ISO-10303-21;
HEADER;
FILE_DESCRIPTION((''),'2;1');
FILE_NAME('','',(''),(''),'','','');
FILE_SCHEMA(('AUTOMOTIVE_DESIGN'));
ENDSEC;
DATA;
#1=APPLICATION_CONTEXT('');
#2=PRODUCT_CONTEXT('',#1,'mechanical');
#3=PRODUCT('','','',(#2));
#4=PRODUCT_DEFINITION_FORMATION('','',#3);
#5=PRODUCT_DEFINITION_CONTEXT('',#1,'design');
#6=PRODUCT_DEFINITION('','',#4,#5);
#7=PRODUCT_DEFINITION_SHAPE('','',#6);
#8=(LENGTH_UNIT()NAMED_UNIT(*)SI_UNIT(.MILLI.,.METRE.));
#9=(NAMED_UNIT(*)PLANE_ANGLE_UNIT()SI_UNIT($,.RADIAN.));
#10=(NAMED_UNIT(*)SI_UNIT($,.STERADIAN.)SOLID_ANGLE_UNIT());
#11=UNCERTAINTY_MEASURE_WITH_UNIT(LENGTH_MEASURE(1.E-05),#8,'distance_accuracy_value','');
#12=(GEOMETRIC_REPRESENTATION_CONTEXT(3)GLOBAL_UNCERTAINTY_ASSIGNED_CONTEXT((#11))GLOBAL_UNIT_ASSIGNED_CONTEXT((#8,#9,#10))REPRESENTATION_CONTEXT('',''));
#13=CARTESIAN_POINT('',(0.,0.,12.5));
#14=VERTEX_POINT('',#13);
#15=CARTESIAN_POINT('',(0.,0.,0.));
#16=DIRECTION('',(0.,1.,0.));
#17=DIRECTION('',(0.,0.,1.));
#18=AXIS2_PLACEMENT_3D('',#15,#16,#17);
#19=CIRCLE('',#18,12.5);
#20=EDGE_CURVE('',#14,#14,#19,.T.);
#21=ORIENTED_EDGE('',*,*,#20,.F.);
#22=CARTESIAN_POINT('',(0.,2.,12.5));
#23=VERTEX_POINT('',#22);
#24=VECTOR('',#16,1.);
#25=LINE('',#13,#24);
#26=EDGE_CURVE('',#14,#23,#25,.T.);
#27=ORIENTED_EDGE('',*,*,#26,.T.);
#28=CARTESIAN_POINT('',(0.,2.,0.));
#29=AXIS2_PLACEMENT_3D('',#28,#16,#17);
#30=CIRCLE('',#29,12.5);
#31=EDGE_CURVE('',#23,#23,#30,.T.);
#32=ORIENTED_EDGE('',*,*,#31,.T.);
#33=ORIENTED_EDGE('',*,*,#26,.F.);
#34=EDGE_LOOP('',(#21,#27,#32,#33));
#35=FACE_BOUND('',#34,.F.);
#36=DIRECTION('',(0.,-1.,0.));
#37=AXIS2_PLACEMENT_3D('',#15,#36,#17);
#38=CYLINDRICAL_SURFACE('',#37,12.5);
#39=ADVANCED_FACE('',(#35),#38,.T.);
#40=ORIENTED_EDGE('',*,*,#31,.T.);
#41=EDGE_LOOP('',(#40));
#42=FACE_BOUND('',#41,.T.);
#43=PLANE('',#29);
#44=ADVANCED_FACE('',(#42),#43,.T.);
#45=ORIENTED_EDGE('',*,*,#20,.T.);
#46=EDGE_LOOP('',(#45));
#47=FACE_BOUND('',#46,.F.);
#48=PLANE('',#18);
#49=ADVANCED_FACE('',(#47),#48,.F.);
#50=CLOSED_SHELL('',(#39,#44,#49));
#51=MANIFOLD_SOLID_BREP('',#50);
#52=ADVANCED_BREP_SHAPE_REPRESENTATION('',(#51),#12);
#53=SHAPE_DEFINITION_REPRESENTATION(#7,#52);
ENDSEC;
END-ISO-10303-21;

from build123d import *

# Parameters (mm, degrees)
SKETCH_1_R      = 12.5
EXTRUDE_1_DEPTH = 2


with BuildPart() as part:
    # 草图1 → 凸台-拉伸1 (new body)
    with BuildSketch(Plane(origin=(0, 0, 0), x_dir=(1, 0, 0), z_dir=(0, 1, 0))):
        with Locations(Location((0, 0, 0), (0, 0, 270))):  # turned: the seam where the file's is
            Circle(SKETCH_1_R)
    extrude(amount=EXTRUDE_1_DEPTH)


solid = part.part
